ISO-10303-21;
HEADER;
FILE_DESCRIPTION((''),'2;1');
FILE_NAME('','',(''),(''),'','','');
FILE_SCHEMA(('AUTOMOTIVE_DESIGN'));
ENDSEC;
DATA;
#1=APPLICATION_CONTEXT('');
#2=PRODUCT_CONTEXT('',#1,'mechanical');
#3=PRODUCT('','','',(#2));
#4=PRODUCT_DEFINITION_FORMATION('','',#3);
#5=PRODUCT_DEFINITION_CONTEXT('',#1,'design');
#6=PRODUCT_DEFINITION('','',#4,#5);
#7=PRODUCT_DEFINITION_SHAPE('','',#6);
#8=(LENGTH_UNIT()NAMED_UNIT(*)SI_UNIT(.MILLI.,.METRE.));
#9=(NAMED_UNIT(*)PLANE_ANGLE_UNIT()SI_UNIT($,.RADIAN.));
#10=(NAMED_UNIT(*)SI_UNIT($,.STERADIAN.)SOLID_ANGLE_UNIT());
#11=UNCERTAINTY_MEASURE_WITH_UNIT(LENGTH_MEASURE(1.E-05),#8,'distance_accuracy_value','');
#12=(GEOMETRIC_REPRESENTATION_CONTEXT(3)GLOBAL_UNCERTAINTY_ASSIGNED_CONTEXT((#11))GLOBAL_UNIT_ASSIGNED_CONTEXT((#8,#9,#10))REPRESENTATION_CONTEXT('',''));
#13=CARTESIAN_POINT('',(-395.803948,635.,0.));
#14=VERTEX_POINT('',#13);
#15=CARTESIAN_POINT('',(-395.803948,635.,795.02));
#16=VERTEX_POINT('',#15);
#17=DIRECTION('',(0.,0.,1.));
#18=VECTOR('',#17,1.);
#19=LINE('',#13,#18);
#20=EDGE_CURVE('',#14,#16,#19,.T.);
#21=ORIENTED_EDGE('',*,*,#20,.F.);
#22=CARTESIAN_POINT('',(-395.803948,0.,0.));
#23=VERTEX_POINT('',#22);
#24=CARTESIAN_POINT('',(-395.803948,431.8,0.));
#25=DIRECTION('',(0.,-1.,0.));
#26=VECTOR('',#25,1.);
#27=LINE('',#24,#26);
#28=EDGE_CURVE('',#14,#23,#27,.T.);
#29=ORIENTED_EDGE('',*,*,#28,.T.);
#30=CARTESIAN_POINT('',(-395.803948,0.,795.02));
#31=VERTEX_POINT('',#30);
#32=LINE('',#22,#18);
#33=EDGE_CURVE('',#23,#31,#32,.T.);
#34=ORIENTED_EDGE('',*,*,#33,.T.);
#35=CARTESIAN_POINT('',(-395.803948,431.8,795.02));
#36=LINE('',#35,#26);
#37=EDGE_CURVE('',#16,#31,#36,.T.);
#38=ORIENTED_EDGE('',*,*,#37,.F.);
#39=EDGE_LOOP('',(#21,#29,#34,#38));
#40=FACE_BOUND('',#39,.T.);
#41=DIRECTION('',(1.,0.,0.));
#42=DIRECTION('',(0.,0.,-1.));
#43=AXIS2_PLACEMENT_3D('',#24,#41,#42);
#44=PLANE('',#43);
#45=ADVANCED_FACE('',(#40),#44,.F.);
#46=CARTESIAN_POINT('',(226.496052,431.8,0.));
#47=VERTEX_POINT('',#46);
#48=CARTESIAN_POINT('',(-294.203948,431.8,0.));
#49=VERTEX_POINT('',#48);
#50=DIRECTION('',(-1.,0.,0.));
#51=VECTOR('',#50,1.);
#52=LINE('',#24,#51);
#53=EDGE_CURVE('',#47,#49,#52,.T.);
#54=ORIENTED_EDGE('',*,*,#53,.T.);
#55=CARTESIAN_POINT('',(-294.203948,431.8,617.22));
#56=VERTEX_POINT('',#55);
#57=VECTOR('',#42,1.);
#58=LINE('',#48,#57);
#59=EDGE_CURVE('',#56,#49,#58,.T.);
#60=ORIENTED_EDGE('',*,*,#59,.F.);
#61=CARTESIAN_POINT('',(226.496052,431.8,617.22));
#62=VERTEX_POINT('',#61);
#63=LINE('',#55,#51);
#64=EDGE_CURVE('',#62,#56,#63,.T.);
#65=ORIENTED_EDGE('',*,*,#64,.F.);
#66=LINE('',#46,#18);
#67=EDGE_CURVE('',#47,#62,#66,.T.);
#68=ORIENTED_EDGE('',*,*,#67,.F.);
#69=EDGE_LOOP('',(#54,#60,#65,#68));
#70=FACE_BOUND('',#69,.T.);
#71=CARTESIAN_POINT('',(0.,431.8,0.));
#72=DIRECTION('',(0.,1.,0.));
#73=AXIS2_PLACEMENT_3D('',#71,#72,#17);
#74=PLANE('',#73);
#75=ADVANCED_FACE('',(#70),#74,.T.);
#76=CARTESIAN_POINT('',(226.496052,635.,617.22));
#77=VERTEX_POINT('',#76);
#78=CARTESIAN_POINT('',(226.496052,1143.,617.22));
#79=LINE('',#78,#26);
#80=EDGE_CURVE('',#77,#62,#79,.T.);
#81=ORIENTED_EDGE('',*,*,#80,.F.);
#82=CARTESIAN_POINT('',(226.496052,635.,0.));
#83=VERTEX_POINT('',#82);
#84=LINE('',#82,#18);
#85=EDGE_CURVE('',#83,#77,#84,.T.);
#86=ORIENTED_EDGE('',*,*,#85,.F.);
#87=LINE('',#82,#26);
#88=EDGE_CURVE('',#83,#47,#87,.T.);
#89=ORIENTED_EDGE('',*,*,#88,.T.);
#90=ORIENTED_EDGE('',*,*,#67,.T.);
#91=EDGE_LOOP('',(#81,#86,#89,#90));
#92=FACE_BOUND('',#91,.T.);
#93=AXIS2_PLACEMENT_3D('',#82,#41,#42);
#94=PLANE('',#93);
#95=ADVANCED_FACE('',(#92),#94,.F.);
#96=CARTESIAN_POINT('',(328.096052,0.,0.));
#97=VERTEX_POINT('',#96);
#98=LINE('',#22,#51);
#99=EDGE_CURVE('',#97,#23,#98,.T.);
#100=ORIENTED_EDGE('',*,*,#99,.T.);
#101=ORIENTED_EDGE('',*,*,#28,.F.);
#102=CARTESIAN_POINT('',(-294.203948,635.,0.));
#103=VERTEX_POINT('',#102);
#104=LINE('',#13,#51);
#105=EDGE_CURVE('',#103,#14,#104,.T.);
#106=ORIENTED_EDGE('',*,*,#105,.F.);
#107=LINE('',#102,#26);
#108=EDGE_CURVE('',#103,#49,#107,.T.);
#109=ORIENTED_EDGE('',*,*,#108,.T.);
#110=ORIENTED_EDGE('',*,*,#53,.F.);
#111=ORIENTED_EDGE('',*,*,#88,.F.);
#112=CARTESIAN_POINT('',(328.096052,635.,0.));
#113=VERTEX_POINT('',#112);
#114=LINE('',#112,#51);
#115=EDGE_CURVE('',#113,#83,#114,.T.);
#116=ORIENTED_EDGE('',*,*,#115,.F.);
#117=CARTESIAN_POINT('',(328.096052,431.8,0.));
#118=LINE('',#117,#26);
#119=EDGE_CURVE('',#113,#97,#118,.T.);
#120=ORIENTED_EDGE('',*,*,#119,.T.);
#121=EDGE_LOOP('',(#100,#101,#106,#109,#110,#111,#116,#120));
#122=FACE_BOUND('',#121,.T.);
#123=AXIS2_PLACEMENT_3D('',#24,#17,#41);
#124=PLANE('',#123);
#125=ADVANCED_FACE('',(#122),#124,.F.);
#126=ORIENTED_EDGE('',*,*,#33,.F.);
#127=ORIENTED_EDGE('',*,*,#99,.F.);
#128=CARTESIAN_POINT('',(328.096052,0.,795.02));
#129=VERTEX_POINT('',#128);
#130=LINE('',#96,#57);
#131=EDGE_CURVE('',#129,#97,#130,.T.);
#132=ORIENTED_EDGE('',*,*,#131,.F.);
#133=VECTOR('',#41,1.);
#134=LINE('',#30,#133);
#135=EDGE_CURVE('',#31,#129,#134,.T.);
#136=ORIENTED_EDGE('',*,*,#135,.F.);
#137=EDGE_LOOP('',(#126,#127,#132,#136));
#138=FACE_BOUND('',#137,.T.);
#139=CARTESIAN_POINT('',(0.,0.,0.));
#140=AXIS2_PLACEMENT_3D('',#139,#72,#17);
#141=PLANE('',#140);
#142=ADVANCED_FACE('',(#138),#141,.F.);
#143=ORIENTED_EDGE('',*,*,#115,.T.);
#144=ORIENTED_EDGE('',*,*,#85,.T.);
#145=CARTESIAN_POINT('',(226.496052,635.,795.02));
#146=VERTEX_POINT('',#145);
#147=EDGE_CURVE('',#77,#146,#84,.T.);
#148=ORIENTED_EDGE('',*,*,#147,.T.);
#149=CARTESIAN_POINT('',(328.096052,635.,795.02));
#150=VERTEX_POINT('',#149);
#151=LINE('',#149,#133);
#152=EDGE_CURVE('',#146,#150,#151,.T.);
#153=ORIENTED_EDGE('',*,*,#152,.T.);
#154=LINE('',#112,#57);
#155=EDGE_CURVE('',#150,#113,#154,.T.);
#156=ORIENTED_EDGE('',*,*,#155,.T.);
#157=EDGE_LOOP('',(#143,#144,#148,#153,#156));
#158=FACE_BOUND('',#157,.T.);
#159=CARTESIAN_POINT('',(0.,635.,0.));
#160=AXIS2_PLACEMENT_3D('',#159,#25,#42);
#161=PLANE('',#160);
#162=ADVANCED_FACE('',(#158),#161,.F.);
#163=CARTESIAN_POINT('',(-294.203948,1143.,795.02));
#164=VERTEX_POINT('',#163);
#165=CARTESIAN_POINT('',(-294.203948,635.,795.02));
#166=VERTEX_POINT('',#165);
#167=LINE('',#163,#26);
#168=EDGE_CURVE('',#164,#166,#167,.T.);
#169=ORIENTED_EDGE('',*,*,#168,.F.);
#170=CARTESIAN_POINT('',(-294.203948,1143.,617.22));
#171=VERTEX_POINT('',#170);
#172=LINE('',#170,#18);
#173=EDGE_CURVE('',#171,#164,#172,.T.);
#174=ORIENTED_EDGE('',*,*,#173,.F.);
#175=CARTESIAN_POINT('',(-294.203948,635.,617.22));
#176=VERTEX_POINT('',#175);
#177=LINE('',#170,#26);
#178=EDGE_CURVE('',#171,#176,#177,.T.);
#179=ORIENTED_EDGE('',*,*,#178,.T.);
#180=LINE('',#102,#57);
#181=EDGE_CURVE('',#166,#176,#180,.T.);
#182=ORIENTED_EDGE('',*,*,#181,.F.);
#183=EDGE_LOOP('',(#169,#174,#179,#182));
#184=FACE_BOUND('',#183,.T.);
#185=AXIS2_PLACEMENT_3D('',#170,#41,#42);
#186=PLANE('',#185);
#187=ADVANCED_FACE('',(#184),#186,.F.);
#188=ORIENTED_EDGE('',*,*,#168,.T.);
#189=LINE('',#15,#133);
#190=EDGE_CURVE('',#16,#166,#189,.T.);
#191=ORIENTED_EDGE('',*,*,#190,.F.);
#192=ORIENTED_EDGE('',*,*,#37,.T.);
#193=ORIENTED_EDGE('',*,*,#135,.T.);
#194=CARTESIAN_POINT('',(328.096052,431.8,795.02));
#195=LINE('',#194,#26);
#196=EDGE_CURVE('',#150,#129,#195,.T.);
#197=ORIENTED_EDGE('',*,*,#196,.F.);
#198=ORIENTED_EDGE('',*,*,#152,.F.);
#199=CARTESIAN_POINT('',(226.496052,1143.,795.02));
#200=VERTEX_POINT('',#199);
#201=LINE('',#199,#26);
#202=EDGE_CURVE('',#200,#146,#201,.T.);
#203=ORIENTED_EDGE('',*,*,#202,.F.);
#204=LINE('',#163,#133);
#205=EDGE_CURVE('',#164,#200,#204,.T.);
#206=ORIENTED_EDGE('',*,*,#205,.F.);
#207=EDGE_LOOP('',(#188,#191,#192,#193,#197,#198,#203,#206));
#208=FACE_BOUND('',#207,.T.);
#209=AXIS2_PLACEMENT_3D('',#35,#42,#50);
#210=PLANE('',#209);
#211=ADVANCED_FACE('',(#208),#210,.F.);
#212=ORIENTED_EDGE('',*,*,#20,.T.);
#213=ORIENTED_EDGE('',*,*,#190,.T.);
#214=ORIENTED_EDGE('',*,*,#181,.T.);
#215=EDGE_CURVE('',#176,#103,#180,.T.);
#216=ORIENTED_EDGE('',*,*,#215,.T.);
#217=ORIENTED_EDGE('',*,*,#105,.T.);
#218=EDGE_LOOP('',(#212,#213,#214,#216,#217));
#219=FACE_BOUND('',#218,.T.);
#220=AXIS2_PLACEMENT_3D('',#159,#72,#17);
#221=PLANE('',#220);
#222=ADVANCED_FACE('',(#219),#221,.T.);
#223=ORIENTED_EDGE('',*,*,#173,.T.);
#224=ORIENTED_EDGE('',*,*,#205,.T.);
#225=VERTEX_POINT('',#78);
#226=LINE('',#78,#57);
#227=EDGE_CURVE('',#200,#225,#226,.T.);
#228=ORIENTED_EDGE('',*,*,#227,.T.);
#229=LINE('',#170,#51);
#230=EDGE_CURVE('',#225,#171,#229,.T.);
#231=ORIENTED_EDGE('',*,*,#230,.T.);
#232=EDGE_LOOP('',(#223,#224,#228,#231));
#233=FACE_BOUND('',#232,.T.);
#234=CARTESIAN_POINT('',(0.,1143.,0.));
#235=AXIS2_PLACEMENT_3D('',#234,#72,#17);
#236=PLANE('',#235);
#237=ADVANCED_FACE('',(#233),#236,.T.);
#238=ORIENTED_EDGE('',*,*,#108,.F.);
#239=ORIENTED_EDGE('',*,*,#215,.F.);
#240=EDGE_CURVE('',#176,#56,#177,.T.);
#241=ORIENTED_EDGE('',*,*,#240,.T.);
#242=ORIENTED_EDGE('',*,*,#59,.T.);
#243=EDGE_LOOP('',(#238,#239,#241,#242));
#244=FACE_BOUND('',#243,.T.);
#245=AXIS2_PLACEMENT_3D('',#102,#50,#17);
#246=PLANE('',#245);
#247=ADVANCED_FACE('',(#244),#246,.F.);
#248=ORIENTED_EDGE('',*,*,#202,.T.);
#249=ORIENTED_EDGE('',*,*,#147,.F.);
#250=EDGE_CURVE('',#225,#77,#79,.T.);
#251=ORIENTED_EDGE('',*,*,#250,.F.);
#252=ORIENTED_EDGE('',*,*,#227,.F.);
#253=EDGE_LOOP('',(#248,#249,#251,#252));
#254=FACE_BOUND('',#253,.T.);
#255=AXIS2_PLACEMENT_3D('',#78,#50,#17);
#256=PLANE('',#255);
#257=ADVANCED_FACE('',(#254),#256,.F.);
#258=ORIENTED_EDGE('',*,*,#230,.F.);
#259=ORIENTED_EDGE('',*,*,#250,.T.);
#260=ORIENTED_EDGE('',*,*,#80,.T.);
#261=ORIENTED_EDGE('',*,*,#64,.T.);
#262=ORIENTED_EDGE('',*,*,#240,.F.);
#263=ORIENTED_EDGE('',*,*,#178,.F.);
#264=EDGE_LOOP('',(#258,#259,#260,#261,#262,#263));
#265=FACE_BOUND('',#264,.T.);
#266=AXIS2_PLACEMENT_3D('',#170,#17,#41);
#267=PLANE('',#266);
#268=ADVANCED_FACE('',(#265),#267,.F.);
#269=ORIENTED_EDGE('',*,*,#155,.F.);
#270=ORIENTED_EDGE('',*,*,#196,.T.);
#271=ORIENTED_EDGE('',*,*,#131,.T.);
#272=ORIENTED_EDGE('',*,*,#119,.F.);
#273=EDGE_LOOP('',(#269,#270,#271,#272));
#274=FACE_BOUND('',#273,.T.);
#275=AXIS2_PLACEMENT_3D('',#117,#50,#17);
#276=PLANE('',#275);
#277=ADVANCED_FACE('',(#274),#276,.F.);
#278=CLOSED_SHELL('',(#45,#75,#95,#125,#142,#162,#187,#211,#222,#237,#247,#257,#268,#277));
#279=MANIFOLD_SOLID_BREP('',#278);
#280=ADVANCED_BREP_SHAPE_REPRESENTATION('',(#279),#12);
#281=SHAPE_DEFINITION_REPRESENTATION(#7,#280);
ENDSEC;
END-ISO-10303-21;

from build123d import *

# Parameters (mm, degrees)
SKETCH1_W           = 723.9
SKETCH1_H           = 795.02
BOSS_EXTRUDE1_DEPTH = 431.8
SKETCH2_W           = 101.6
SKETCH2_H           = 795.02
BOSS_EXTRUDE2_DEPTH = 203.2
SKETCH3_W           = 520.7
SKETCH3_H           = 177.8
BOSS_EXTRUDE3_DEPTH = 711.2


with BuildPart() as part:
    # Sketch1 → Boss-Extrude1 (new body)
    with BuildSketch(Plane(origin=(0, 0, 0), x_dir=(1, 0, 0), z_dir=(0, 1, 0))):
        with Locations((-33.853948498, -397.51)):
            Rectangle(SKETCH1_W, SKETCH1_H)
    extrude(amount=BOSS_EXTRUDE1_DEPTH)

    # Sketch2 → Boss-Extrude2 (add)
    with BuildSketch(Plane(origin=(0, 431.8, 0), x_dir=(1, 0, 0), z_dir=(0, 1, 0))):
        with Locations((-345.003948498, -397.51)):
            Rectangle(SKETCH2_W, SKETCH2_H)
        with Locations((277.296051502, -397.51)):
            Rectangle(SKETCH2_W, SKETCH2_H)
    extrude(amount=BOSS_EXTRUDE2_DEPTH)

    # Sketch3 → Boss-Extrude3 (add)
    with BuildSketch(Plane(origin=(0, 431.8, 0), x_dir=(1, 0, 0), z_dir=(0, 1, 0))):
        with Locations((-33.853948498, -706.12)):
            Rectangle(SKETCH3_W, SKETCH3_H)
    extrude(amount=BOSS_EXTRUDE3_DEPTH)


solid = part.part
